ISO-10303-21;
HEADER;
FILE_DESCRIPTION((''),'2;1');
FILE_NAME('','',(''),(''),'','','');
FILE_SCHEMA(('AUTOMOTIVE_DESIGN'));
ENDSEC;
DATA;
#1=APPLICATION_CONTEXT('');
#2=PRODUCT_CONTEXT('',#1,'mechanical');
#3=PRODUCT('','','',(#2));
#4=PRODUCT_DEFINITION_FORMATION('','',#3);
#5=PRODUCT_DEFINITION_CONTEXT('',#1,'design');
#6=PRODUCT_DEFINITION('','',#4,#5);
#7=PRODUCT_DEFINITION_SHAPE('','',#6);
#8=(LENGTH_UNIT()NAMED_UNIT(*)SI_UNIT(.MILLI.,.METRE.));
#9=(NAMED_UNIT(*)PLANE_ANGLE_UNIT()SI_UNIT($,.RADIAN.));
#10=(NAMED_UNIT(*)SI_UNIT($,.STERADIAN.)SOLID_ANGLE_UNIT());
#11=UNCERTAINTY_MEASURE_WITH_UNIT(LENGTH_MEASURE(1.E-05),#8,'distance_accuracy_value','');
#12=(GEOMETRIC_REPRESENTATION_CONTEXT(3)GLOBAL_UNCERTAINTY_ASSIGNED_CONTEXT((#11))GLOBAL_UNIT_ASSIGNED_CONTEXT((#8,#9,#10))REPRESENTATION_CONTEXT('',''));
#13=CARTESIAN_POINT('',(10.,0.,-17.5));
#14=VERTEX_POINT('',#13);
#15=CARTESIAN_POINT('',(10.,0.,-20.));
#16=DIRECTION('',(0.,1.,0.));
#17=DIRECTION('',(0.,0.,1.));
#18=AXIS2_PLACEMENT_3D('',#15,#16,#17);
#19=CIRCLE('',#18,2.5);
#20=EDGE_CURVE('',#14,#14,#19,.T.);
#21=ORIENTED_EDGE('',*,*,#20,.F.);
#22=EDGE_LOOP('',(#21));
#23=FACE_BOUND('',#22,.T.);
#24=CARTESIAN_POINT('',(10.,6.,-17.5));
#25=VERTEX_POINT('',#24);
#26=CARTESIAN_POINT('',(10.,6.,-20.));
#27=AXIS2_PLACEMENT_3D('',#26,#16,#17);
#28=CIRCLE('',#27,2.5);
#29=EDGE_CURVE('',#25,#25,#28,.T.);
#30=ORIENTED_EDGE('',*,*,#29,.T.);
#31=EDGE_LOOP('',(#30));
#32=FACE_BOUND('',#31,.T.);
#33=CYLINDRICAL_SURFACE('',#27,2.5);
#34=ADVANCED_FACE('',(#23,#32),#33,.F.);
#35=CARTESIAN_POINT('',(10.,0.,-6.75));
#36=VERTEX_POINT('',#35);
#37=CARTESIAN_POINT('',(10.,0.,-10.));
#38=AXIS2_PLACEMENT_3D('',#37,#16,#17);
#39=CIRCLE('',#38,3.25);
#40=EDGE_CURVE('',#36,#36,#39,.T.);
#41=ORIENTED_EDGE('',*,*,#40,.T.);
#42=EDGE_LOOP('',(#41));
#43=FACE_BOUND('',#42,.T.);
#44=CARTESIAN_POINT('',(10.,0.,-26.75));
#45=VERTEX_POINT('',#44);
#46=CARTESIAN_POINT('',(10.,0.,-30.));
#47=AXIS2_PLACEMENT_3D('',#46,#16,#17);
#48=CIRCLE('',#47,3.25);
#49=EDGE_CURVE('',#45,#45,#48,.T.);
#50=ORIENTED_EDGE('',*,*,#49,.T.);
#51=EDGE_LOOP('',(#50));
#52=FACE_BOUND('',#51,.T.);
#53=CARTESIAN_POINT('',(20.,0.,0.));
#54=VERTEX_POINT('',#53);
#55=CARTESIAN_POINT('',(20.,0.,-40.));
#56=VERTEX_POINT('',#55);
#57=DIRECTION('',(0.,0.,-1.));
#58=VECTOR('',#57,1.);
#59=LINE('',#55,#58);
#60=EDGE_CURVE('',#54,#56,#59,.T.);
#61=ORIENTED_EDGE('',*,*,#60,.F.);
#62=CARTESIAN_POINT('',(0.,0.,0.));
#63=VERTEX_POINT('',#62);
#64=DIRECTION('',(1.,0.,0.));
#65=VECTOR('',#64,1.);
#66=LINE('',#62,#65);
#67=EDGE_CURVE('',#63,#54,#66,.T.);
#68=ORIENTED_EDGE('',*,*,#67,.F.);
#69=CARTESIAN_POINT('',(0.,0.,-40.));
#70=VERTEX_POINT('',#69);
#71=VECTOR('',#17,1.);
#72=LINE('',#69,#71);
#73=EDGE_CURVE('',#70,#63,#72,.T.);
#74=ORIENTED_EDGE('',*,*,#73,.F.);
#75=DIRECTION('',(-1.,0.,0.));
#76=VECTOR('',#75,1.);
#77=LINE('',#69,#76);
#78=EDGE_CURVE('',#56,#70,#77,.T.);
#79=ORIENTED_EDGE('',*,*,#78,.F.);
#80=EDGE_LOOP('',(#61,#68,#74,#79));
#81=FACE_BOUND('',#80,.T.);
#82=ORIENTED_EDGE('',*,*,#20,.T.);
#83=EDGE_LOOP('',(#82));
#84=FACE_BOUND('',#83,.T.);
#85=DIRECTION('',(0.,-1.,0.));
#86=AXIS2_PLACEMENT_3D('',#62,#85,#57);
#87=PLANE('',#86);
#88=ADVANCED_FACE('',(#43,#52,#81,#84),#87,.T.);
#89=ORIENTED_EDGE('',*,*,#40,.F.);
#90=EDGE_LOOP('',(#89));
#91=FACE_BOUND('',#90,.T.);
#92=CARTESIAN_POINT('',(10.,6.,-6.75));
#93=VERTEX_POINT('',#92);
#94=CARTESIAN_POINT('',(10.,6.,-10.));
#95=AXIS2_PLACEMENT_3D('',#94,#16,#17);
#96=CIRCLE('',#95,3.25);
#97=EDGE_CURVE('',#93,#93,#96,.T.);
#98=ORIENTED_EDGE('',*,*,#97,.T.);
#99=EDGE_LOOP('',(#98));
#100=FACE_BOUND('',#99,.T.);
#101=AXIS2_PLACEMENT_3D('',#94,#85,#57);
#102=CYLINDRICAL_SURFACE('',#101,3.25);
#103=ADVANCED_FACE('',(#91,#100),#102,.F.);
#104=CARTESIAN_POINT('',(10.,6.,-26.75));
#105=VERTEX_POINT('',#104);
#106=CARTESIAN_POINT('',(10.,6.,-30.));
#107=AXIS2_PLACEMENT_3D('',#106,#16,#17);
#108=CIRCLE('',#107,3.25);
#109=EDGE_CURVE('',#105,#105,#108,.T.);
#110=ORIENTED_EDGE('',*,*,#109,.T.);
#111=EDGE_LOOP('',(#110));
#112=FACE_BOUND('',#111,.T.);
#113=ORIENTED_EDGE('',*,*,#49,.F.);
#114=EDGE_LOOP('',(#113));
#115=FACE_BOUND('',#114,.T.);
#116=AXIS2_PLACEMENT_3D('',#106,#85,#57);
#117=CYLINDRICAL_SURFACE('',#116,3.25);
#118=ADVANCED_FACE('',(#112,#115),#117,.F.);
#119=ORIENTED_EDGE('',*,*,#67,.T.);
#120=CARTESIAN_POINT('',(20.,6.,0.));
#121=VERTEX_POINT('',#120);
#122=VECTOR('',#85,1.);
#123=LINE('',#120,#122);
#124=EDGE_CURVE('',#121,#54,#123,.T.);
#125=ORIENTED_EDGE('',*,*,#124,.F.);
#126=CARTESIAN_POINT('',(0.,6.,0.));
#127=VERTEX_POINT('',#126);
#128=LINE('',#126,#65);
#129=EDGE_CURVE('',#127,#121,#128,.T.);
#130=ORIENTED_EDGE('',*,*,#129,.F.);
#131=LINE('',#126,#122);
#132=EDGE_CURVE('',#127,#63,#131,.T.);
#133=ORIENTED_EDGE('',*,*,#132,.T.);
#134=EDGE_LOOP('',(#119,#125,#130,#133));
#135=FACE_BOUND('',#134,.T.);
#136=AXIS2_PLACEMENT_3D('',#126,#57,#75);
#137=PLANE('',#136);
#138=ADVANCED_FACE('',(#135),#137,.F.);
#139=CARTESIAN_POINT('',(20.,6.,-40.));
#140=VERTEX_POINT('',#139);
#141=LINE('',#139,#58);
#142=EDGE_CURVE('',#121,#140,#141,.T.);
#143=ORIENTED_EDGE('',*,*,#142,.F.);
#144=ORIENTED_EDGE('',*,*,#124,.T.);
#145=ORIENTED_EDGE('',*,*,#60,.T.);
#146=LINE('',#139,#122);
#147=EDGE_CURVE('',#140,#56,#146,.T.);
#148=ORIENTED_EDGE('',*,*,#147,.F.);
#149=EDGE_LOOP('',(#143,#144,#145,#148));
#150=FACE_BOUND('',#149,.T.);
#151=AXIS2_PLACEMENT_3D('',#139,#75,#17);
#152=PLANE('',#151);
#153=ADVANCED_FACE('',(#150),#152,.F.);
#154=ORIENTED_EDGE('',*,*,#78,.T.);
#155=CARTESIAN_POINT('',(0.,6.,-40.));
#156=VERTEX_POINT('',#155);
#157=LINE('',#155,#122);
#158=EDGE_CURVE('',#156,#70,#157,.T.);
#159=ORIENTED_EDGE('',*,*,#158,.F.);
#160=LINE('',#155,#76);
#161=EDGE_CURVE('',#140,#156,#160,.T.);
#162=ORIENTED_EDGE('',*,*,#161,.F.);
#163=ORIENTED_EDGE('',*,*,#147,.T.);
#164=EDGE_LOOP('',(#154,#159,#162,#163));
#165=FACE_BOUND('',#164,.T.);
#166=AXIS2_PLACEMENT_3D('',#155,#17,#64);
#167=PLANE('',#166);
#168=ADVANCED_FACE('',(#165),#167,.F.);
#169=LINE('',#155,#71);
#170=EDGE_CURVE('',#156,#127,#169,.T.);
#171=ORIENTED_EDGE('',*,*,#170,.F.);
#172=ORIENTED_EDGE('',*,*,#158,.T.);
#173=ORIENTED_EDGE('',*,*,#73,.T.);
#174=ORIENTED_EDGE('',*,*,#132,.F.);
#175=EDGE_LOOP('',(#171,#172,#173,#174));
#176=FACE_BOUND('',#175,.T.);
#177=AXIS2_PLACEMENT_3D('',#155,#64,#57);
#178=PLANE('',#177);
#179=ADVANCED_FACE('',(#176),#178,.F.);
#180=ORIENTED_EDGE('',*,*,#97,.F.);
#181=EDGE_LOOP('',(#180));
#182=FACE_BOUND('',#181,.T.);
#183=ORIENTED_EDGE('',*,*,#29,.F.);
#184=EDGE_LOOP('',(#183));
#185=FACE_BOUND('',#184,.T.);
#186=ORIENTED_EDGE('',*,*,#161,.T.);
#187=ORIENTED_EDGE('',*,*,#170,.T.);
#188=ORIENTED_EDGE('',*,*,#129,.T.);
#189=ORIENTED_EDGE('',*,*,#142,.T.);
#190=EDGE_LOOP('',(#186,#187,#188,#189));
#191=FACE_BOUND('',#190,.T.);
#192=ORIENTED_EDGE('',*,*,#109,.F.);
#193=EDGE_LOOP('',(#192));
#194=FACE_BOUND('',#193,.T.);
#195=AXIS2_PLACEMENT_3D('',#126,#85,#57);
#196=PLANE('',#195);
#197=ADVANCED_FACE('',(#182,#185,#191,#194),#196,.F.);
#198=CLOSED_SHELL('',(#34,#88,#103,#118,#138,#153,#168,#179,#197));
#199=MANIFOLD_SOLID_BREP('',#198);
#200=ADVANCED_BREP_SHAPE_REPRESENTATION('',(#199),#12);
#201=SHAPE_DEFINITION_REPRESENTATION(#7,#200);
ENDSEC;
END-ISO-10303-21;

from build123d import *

# Parameters (mm, degrees)
SKETCH_1_W         = 20
SKETCH_1_H         = 40
SKETCH_1_R         = 3.25
EXTRUDE_1_DEPTH    = 6
HOLE_WIZARD_M6_1_D = 5


with BuildPart() as part:
    # 草图1 → 凸台-拉伸1 (new body)
    with BuildSketch(Plane(origin=(0, 0, 0), x_dir=(1, 0, 0), z_dir=(0, 1, 0))):
        with Locations((10, 20)):
            Rectangle(SKETCH_1_W, SKETCH_1_H)
        with Locations(Location((10, 30, 0), (0, 0, 270))):
            Circle(SKETCH_1_R, mode=Mode.SUBTRACT)
        with Locations(Location((10, 10, 0), (0, 0, 270))):
            Circle(SKETCH_1_R, mode=Mode.SUBTRACT)
    extrude(amount=EXTRUDE_1_DEPTH)

    # M6 螺纹孔1 (through all)
    with Locations(Plane(origin=(10, 6, -20), x_dir=(0, 0, 1), z_dir=(0, 1, 0))):
        with Locations((0, 0)):
            Hole(HOLE_WIZARD_M6_1_D / 2)


solid = part.part
